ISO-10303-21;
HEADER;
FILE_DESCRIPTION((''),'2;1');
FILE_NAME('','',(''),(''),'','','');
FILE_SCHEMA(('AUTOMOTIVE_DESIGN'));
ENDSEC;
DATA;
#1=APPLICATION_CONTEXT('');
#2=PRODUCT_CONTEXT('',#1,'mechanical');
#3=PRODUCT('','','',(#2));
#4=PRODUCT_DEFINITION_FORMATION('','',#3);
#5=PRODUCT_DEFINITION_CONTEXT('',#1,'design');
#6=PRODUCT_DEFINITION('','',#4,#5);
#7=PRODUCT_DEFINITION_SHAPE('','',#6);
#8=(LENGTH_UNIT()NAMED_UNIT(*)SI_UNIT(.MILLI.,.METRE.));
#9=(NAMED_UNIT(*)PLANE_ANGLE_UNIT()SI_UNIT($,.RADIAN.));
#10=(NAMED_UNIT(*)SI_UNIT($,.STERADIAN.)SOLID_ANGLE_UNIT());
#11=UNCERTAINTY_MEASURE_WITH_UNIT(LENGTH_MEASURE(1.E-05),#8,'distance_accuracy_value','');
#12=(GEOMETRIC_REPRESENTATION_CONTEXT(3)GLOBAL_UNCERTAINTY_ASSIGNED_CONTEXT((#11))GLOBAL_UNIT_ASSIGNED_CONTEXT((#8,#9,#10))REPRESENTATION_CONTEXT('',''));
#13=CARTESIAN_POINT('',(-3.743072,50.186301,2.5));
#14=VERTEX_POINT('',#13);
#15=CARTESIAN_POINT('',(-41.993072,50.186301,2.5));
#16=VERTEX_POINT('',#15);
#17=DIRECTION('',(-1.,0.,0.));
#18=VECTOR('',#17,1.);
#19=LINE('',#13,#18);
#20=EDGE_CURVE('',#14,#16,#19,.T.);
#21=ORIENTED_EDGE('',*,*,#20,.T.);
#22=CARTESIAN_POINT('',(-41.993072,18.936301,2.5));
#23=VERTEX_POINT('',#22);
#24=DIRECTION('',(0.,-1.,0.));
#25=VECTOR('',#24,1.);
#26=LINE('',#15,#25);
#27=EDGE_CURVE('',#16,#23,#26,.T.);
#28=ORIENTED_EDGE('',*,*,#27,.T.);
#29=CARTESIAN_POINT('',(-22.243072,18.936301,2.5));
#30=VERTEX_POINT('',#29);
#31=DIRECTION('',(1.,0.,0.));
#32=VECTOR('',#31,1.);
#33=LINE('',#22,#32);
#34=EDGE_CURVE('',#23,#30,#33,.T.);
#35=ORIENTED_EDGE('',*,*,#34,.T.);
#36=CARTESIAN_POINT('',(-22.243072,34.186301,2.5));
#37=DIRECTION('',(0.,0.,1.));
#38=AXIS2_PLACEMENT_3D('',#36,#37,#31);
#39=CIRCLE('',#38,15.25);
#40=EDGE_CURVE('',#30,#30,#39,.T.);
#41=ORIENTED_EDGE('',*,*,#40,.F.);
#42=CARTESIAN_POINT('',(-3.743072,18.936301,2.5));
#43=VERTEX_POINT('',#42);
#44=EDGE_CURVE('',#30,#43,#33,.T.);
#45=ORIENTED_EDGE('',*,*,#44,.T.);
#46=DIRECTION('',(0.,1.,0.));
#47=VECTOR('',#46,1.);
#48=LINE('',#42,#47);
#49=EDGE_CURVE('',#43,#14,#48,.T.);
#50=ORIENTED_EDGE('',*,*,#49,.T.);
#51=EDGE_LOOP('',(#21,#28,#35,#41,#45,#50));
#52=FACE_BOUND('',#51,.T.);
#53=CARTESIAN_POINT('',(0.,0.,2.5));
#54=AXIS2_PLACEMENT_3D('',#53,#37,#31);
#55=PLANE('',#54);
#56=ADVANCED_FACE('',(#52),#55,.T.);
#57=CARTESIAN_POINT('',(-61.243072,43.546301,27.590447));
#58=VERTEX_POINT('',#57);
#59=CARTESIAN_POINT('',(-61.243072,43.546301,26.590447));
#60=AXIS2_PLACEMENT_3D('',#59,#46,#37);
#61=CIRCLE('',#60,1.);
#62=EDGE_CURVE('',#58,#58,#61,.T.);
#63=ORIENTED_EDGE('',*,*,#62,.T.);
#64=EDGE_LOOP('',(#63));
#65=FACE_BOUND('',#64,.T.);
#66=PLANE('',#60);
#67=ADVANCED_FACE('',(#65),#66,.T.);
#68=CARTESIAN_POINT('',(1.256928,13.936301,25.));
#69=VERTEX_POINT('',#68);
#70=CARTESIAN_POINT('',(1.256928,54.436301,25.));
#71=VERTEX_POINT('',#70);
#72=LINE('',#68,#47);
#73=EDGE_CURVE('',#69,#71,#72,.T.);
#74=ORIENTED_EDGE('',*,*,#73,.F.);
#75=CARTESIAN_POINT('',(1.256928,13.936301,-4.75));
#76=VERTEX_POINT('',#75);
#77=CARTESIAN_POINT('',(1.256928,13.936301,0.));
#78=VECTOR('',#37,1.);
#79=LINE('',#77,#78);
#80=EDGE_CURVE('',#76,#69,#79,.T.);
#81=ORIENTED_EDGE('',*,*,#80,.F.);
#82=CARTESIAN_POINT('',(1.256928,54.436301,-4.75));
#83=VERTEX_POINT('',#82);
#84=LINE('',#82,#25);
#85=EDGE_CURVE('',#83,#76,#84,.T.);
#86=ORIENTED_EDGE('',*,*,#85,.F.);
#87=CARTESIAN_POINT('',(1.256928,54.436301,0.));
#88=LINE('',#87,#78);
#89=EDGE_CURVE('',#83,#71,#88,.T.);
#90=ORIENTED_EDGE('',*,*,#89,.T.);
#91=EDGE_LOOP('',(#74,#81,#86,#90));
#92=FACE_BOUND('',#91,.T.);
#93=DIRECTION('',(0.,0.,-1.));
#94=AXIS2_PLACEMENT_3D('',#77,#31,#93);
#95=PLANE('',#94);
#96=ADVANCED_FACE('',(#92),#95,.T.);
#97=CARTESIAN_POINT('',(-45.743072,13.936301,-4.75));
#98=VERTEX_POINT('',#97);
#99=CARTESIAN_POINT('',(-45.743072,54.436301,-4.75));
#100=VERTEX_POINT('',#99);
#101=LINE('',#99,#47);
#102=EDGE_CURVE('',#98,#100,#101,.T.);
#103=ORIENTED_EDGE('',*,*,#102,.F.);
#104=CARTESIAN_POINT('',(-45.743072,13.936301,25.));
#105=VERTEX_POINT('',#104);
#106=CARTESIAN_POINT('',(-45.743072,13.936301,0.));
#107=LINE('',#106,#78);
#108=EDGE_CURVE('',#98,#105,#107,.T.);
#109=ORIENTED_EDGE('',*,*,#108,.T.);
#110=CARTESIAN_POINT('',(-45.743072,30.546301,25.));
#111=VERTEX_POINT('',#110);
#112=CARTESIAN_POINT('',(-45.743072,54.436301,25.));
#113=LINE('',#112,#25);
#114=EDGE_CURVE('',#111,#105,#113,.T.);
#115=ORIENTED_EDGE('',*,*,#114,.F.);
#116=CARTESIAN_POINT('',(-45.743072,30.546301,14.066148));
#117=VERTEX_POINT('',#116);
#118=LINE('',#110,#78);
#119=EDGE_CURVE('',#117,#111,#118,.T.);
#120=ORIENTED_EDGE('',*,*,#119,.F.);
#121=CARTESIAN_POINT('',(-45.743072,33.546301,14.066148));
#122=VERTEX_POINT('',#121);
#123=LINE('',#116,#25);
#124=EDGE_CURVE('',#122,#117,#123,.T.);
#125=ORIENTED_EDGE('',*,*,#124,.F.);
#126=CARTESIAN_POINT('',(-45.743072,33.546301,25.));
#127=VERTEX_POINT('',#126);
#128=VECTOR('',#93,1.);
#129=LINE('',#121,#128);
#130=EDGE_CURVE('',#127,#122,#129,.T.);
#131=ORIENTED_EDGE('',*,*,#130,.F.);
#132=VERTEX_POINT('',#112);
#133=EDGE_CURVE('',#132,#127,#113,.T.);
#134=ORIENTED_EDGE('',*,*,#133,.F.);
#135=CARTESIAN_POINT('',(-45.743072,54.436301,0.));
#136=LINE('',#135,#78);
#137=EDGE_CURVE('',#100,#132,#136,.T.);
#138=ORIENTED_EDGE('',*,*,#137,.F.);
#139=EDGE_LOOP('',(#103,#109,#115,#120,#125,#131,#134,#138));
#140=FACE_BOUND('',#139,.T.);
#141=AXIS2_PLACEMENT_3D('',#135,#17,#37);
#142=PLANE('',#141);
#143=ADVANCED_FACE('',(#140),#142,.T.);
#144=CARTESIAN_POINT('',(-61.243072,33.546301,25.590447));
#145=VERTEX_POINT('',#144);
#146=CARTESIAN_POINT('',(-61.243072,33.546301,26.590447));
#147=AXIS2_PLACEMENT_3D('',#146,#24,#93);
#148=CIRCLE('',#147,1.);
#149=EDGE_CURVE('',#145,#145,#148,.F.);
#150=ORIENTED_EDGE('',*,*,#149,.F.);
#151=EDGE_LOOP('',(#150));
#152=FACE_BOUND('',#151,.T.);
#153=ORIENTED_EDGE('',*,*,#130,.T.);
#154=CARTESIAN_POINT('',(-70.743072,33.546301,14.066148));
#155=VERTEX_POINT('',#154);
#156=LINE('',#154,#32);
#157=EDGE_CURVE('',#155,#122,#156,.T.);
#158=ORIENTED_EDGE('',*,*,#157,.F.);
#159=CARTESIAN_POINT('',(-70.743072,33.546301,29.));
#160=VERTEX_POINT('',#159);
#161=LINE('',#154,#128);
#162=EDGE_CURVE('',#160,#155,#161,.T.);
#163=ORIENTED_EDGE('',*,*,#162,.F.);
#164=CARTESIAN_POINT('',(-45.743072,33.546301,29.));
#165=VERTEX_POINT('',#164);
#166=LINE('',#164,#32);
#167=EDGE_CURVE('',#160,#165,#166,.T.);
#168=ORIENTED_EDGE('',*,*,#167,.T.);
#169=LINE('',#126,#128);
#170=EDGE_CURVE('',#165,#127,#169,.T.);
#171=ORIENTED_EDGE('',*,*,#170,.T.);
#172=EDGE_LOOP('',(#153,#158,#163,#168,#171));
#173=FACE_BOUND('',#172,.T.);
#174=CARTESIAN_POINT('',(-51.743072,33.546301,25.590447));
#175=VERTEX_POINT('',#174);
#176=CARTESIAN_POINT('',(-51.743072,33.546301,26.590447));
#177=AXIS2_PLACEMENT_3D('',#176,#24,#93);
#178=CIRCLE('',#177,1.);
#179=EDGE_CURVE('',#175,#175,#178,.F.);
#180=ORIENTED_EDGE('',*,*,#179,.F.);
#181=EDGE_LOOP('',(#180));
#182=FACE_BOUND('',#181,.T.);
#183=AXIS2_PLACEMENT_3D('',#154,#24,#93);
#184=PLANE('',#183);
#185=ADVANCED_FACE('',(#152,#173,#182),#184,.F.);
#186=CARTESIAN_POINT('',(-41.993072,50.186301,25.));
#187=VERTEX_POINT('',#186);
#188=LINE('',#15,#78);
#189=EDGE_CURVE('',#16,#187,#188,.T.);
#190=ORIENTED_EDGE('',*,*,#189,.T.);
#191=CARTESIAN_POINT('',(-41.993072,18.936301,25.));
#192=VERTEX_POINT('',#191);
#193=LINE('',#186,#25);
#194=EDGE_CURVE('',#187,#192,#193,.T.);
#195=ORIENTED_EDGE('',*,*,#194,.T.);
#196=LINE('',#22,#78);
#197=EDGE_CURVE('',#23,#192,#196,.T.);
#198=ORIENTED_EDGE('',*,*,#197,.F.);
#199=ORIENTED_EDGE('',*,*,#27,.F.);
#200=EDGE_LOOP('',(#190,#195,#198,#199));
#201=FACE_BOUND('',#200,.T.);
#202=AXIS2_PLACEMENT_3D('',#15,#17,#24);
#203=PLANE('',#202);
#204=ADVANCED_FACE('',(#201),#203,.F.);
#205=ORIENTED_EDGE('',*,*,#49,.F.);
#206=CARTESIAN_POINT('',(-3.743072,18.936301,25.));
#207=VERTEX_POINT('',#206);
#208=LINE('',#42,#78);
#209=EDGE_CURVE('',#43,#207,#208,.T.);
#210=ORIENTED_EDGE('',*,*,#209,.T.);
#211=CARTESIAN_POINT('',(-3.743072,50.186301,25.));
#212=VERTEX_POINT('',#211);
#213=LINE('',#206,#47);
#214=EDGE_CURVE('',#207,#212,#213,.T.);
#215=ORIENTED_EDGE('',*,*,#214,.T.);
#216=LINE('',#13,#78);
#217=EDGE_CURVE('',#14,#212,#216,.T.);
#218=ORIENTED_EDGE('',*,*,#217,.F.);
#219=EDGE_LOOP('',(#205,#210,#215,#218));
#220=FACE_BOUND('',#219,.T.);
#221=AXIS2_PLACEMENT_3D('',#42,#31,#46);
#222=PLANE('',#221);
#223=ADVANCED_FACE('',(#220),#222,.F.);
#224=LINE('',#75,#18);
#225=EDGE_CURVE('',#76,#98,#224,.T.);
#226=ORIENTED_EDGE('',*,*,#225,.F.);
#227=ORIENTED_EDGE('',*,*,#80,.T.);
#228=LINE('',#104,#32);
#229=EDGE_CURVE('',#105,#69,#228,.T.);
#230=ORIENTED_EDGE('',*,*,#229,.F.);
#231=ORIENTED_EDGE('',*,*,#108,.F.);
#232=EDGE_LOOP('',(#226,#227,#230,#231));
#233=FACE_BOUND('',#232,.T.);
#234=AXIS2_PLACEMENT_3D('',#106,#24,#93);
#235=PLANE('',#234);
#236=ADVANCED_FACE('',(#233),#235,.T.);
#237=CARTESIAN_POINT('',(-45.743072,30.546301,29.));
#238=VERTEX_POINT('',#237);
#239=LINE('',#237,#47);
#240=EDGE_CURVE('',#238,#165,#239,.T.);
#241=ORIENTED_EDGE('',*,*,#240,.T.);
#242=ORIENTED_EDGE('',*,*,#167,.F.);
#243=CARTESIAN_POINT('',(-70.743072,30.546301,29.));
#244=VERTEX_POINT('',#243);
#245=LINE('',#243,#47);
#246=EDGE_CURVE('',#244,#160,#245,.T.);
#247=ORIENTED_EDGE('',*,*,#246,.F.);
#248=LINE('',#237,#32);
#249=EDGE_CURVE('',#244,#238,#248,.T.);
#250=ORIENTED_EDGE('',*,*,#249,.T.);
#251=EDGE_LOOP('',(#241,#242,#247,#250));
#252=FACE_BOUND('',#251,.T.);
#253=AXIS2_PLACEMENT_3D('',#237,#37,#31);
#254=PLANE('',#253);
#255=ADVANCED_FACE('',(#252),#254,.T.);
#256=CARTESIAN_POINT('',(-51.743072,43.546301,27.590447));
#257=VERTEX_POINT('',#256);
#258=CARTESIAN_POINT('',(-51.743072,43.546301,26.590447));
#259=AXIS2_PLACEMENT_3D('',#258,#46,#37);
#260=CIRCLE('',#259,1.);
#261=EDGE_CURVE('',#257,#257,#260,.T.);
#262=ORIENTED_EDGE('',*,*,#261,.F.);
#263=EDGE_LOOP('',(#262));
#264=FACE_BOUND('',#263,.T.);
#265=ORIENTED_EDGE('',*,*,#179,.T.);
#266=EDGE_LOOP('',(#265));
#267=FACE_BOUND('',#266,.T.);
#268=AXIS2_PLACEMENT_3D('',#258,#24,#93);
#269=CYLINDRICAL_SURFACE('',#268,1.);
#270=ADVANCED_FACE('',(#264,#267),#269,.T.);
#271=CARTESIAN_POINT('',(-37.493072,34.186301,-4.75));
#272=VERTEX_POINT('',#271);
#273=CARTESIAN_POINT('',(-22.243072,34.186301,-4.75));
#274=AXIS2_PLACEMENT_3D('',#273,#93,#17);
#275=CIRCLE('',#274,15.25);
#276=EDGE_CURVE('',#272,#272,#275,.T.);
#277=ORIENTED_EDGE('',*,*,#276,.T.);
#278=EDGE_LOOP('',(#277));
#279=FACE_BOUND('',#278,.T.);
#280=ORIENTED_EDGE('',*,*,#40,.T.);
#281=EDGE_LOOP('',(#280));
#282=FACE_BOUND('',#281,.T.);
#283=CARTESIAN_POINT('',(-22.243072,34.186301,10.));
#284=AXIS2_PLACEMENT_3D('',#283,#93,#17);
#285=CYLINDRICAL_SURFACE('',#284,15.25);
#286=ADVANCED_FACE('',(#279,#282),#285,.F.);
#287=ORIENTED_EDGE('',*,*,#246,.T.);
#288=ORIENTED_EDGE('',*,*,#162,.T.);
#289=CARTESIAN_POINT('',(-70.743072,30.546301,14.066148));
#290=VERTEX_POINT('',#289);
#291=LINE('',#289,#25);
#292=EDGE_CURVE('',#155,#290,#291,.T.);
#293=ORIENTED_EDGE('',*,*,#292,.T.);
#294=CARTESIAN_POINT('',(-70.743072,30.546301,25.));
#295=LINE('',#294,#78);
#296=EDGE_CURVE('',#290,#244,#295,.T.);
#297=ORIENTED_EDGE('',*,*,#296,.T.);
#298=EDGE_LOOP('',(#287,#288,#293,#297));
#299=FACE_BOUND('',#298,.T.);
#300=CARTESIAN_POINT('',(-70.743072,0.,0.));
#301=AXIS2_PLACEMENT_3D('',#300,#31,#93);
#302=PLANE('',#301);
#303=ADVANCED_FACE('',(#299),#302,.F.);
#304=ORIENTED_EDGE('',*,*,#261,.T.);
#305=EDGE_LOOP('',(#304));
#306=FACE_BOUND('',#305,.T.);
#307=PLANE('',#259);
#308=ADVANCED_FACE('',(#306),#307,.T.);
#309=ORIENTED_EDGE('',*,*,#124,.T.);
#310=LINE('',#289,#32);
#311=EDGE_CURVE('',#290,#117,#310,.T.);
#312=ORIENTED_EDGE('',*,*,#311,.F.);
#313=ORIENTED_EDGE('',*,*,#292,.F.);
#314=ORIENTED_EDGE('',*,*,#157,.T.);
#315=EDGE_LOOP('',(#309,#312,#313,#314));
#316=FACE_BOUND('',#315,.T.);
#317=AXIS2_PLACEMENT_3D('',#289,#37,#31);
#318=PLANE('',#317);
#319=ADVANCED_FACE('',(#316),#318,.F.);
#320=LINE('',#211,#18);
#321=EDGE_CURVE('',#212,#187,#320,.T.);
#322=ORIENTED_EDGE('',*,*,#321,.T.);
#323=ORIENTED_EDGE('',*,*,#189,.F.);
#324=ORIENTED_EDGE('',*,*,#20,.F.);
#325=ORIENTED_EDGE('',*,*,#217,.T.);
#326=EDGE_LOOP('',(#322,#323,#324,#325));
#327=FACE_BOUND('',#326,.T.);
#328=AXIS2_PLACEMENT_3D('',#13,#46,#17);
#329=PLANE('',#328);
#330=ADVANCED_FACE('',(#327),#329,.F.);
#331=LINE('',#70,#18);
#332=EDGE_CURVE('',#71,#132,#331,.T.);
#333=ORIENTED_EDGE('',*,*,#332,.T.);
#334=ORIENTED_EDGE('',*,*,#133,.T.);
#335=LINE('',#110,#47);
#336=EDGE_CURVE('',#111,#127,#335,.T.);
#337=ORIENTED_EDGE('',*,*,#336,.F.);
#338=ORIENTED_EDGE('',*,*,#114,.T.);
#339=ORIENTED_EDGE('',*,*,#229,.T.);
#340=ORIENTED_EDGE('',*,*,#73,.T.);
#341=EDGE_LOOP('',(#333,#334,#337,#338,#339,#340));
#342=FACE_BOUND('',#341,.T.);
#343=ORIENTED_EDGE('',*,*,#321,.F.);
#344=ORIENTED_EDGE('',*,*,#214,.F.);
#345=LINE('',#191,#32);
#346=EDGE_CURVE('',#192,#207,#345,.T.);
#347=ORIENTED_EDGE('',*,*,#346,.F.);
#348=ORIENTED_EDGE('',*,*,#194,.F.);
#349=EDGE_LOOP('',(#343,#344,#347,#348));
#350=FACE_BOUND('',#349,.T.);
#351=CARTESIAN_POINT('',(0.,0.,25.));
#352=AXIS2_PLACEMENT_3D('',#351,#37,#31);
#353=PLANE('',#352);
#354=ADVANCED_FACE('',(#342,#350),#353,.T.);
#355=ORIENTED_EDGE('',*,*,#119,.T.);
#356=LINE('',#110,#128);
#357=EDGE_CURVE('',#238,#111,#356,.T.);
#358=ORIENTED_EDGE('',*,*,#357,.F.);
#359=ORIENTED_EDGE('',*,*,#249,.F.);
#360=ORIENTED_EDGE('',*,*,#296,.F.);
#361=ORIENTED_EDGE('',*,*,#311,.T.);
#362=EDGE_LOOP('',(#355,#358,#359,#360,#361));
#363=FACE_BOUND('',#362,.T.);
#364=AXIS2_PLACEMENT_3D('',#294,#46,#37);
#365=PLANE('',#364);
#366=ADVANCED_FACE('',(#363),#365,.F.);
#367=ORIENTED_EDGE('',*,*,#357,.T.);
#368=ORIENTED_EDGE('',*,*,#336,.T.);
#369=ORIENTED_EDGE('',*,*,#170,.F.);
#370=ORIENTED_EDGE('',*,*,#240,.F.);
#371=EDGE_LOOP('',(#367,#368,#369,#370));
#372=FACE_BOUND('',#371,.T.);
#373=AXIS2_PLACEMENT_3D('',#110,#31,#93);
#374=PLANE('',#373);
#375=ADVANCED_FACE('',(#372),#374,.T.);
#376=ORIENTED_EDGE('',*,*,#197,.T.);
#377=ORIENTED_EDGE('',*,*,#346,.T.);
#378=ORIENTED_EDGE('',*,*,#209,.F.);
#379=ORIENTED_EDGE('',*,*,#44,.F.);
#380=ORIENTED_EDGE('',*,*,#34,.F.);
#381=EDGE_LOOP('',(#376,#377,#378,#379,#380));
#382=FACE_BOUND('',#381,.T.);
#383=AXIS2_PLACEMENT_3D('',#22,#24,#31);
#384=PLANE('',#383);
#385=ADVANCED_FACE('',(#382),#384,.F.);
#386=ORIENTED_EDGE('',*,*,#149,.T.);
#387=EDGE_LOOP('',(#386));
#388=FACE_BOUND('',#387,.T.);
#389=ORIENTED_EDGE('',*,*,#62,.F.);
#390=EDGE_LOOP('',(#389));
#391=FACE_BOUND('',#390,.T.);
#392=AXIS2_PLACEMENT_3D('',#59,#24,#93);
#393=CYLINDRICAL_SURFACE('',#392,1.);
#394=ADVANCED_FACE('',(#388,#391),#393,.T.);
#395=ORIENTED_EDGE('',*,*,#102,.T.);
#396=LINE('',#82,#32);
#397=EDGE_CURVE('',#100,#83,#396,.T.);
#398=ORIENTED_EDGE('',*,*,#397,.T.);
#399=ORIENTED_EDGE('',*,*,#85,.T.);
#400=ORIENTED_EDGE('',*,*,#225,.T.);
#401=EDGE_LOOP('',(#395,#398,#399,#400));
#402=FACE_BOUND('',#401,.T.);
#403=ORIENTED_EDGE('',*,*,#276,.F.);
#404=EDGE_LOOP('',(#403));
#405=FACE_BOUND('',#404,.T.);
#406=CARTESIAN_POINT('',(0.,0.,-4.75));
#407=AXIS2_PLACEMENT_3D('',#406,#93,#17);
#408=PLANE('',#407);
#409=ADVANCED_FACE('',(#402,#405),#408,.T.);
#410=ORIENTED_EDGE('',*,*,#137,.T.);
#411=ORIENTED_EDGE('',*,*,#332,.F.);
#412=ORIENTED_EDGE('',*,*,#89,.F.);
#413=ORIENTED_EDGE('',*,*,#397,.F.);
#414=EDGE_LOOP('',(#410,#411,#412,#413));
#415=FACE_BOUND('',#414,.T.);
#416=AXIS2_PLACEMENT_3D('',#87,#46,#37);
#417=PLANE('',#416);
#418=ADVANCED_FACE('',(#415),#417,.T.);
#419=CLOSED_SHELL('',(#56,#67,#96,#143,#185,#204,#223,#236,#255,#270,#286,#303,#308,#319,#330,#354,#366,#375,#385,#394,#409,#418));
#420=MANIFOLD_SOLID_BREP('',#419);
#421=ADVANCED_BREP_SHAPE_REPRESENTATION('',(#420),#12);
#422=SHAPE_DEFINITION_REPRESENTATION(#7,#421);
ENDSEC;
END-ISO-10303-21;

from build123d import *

# Parameters (mm, degrees)
CROQUIS1_W              = 47
CROQUIS1_H              = 40.5
SALIENTE_EXTRUIR1_DEPTH = 25
CROQUIS2_W              = 10.933851529
CROQUIS2_H              = 3
SALIENTE_EXTRUIR2_DEPTH = 25
CROQUIS3_W              = 38.25
CROQUIS3_H              = 31.25
CORTAR_EXTRUIR1_DEPTH   = 22.5
CROQUIS6_R              = 15.25
CORTAR_EXTRUIR2_DEPTH   = 10
SALIENTE_EXTRUIR5_START = 4.75
CROQUIS7_W              = 47
CROQUIS7_H              = 40.5
CROQUIS7_R              = 15.25
SALIENTE_EXTRUIR5_DEPTH = 4.75
CROQUIS8_W              = 25
CROQUIS8_H              = 4
SALIENTE_EXTRUIR6_DEPTH = 3
CROQUIS9_R              = 1
SALIENTE_EXTRUIR7_DEPTH = 10


with BuildPart() as part:
    # Croquis1 → Saliente-Extruir1 (new body)
    with BuildSketch(Plane.XY.offset(25)):
        with Locations((-22.24307249, 34.18630066)):
            Rectangle(CROQUIS1_W, CROQUIS1_H)
    extrude(amount=-SALIENTE_EXTRUIR1_DEPTH)

    # Croquis2 → Saliente-Extruir2 (add)
    with BuildSketch(Plane.ZY.offset(45.74307249)):
        with Locations((19.533074236, 32.04630066)):
            Rectangle(CROQUIS2_W, CROQUIS2_H)
    extrude(amount=SALIENTE_EXTRUIR2_DEPTH)

    # Croquis3 → Cortar-Extruir1 (cut)
    with BuildSketch(Plane.XY.offset(25)):
        with Locations((-22.86807249, 34.56130066)):
            Rectangle(CROQUIS3_W, CROQUIS3_H)
    extrude(amount=-CORTAR_EXTRUIR1_DEPTH, mode=Mode.SUBTRACT)

    # Croquis6 → Cortar-Extruir2 (cut)
    with BuildSketch(Plane(origin=(0, 0, 0), x_dir=(-1, 0, 0), z_dir=(0, 0, -1))):
        with Locations((22.24307249, 34.18630066)):
            Circle(CROQUIS6_R)
    extrude(amount=-CORTAR_EXTRUIR2_DEPTH, mode=Mode.SUBTRACT)

    # Croquis7 → Saliente-Extruir5 (add)
    with BuildSketch(Plane(origin=(0, 0, 0), x_dir=(-1, 0, 0), z_dir=(0, 0, -1)).offset(SALIENTE_EXTRUIR5_START)):
        with Locations((22.24307249, 34.18630066)):
            Rectangle(CROQUIS7_W, CROQUIS7_H)
        with Locations((22.24307249, 34.18630066)):
            Circle(CROQUIS7_R, mode=Mode.SUBTRACT)
    extrude(amount=-SALIENTE_EXTRUIR5_DEPTH)

    # Croquis8 → Saliente-Extruir6 (add)
    with BuildSketch(Plane(origin=(0, 33.54630066, 0), x_dir=(1, 0, 0), z_dir=(0, 1, 0))):
        with Locations((-58.24307249, -27)):
            Rectangle(CROQUIS8_W, CROQUIS8_H)
    extrude(amount=-SALIENTE_EXTRUIR6_DEPTH)

    # Croquis9 → Saliente-Extruir7 (add)
    with BuildSketch(Plane(origin=(0, 33.54630066, 0), x_dir=(1, 0, 0), z_dir=(0, 1, 0))):
        with Locations(Location((-61.24307249, -26.590447053, 0), (0, 0, 90))):
            Circle(CROQUIS9_R)
        with Locations(Location((-51.74307249, -26.590447053, 0), (0, 0, 90))):
            Circle(CROQUIS9_R)
    extrude(amount=SALIENTE_EXTRUIR7_DEPTH)


solid = part.part
